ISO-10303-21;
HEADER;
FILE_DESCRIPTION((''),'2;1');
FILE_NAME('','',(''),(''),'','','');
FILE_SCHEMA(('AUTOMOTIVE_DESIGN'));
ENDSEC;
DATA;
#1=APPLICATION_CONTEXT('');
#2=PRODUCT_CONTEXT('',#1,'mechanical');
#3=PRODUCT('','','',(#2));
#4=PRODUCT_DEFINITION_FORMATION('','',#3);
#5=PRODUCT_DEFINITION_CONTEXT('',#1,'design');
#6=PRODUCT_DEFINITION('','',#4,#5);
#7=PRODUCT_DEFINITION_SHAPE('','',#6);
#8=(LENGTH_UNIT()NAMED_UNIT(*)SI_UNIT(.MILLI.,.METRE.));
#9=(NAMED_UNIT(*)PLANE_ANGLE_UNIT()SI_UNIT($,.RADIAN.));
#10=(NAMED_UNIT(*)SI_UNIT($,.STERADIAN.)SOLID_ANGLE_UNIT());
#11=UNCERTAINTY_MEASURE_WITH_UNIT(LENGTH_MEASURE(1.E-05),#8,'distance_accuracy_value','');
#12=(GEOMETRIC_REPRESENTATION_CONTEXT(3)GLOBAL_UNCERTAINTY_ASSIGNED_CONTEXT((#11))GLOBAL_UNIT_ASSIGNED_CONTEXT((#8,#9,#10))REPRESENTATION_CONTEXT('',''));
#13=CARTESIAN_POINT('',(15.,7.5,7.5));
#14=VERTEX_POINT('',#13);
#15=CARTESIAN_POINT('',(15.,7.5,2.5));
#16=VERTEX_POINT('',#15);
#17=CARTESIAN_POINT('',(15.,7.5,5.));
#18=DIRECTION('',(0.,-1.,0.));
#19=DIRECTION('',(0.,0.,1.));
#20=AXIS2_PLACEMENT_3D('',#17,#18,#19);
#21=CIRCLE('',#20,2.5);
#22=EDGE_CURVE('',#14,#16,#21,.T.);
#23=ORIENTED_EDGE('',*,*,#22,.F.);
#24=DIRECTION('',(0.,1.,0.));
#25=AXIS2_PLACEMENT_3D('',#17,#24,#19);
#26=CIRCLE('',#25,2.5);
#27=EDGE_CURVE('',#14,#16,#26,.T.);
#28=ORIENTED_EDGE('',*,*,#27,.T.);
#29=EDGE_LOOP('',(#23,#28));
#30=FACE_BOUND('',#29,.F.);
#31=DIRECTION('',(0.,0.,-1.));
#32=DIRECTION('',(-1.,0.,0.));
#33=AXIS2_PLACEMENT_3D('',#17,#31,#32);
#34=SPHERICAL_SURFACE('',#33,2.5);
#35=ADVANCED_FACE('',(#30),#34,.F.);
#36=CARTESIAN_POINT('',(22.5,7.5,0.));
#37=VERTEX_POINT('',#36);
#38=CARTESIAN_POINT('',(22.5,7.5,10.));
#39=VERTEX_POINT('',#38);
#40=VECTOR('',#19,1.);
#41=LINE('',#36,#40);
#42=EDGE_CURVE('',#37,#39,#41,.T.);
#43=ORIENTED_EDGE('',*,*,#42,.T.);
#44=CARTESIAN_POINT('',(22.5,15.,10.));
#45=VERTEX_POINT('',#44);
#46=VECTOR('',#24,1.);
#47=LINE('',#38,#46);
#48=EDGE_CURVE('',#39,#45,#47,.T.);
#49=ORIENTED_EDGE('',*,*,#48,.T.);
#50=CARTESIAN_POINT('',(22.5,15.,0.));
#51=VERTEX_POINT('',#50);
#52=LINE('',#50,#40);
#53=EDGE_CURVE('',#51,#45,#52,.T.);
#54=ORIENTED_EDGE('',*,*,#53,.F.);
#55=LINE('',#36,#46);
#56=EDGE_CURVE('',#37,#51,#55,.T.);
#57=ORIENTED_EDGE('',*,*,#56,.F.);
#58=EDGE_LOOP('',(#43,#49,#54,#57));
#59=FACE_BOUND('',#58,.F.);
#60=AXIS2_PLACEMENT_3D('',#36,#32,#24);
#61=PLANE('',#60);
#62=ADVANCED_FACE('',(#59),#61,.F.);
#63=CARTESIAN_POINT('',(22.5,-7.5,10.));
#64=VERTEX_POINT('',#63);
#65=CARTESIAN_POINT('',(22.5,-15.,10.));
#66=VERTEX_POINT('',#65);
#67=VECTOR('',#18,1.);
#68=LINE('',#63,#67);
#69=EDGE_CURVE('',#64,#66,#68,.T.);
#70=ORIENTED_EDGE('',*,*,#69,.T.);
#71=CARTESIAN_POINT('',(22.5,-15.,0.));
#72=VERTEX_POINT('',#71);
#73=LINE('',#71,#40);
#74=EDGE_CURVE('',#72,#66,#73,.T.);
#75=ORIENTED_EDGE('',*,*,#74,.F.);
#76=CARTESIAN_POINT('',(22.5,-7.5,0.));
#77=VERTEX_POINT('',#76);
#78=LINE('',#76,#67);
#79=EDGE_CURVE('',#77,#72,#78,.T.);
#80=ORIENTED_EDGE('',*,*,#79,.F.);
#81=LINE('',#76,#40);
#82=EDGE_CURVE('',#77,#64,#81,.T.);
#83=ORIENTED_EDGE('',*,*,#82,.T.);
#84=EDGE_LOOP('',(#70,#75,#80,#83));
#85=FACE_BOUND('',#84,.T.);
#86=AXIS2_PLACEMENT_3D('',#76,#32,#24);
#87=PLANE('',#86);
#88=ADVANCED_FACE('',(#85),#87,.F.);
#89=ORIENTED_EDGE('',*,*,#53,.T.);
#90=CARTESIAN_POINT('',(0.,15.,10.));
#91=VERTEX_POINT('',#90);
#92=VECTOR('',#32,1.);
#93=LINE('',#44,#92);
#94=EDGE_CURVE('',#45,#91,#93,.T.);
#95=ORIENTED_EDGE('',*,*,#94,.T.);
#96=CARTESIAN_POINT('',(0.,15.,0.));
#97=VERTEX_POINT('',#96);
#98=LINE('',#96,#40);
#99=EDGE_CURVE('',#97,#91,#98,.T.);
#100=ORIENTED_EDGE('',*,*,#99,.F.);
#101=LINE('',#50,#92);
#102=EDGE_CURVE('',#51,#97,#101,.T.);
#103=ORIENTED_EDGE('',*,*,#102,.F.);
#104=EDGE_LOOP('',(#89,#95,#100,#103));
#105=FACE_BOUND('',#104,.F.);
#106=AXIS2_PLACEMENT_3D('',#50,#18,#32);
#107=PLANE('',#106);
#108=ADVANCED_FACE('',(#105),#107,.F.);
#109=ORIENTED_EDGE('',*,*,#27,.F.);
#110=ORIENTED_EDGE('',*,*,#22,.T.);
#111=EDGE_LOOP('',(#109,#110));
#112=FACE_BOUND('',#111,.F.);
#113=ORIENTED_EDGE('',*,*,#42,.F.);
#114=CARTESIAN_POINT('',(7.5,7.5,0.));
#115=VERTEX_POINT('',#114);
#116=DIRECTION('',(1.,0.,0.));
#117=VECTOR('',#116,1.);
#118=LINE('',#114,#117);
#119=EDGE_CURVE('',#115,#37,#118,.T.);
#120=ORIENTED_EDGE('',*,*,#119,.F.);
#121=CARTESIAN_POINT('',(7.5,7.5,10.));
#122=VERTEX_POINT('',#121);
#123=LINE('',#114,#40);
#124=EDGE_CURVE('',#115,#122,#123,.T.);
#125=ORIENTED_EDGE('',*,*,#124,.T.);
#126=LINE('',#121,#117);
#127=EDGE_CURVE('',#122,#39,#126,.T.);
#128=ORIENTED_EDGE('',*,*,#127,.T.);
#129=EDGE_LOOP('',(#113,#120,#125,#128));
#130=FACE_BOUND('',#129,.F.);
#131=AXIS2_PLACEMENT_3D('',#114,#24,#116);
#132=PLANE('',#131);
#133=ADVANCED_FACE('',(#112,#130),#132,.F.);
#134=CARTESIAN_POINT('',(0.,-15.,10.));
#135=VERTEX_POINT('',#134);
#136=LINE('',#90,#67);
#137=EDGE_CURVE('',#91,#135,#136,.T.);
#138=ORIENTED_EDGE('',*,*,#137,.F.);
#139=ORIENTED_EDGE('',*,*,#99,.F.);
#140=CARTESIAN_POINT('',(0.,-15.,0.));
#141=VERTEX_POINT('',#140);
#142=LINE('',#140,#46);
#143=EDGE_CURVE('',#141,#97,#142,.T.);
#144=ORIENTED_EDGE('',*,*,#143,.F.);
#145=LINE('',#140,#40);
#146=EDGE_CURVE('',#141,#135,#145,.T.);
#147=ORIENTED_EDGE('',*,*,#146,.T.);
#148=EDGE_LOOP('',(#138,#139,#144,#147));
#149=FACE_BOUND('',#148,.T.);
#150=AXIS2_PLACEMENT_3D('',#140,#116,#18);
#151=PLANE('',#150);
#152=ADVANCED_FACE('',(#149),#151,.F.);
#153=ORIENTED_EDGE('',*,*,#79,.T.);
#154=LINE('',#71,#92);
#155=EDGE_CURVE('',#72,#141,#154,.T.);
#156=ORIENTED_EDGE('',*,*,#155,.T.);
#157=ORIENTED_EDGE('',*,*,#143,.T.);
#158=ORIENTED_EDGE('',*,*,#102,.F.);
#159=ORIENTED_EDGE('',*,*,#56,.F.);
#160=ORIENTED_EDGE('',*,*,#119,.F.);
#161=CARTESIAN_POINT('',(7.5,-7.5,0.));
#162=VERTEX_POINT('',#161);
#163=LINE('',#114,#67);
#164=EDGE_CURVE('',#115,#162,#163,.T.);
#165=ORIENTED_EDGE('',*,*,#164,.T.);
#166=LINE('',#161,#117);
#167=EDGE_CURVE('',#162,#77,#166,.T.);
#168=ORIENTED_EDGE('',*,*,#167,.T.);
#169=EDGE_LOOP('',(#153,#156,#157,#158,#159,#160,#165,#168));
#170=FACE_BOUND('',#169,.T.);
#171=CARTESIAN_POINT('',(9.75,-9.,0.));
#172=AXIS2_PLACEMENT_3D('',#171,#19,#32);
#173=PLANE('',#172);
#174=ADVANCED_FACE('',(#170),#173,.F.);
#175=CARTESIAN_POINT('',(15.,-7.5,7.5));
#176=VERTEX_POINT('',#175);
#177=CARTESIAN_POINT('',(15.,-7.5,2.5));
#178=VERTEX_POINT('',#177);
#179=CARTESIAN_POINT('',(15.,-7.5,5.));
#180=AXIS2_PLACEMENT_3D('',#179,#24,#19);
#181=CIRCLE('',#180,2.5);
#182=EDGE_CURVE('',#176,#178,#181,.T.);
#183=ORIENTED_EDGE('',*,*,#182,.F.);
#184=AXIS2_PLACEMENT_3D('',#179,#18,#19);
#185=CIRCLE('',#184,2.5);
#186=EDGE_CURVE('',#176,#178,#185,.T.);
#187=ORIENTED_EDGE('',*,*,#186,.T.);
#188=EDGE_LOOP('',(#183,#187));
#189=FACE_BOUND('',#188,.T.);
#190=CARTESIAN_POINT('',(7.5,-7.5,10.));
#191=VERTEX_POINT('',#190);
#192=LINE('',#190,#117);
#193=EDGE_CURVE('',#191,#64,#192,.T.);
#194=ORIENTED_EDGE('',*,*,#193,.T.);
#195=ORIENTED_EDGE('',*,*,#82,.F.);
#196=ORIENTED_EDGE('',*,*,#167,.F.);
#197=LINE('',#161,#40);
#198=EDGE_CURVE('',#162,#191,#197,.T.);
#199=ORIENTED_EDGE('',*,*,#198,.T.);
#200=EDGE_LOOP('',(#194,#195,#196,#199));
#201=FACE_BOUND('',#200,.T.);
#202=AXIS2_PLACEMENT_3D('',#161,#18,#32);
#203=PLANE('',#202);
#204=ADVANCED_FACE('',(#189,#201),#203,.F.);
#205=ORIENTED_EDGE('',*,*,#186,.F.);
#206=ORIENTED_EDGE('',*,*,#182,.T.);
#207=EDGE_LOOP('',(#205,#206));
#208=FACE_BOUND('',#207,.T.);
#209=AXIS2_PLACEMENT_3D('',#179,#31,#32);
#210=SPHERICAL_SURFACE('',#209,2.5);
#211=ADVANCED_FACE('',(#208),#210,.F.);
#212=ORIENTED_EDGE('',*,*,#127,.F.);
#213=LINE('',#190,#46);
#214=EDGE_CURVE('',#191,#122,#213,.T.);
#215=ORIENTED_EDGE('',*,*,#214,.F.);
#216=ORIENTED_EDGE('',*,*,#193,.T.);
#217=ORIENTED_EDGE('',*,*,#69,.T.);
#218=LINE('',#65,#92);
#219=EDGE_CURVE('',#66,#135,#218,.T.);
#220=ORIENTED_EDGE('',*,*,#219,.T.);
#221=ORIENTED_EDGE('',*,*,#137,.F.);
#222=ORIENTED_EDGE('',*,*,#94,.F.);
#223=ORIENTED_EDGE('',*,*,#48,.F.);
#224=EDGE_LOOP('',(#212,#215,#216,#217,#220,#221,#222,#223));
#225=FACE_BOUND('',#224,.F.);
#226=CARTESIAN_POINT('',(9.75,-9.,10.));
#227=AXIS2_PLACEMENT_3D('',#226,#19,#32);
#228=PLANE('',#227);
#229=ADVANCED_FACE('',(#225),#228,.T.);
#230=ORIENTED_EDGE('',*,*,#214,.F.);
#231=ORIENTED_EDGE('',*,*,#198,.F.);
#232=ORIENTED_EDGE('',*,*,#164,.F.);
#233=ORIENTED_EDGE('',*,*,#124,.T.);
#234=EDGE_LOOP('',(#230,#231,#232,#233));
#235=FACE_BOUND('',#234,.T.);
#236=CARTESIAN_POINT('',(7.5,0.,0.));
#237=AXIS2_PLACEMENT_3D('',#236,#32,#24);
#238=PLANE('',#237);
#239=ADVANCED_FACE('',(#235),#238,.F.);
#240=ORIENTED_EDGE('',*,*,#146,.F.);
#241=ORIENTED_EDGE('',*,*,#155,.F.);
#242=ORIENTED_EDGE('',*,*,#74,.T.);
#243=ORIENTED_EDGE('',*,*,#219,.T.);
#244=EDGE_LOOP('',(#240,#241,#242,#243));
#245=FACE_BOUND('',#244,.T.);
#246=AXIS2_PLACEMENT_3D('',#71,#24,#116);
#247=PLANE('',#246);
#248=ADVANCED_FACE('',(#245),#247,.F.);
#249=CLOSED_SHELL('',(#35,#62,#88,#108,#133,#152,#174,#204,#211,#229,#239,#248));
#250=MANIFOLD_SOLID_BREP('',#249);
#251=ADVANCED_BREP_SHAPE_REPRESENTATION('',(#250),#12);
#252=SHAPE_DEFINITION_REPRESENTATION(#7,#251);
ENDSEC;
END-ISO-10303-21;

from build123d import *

# Parameters (mm, degrees)
F1_DEPTH = 10


with BuildPart() as f1:
    # F0 (on Top) → F1 (new body)
    with BuildSketch(Plane.XY):
        Polygon((22.5, 7.5), (22.5, 15), (0, 15), (0, 0), (7.5, 0), (7.5, 7.5), align=None)
    extrude(amount=F1_DEPTH)

    # F2 (on face) → F3 (revolve, cut)
    with BuildSketch(Plane.XZ.offset(-7.5)):
        with BuildLine():
            Line((15, 2.5), (15, 7.5))
            ThreePointArc((15, 7.5), (12.5, 5), (15, 2.5))
        make_face()
    revolve(axis=Axis((15, 7.5, 5), (0, 0, -1)), mode=Mode.SUBTRACT)

    # F4: F1 across plane


with BuildPart() as f1_1:
    add(f1.part)
    add(f1.part.mirror(Plane.XZ))


solid = f1_1.part
